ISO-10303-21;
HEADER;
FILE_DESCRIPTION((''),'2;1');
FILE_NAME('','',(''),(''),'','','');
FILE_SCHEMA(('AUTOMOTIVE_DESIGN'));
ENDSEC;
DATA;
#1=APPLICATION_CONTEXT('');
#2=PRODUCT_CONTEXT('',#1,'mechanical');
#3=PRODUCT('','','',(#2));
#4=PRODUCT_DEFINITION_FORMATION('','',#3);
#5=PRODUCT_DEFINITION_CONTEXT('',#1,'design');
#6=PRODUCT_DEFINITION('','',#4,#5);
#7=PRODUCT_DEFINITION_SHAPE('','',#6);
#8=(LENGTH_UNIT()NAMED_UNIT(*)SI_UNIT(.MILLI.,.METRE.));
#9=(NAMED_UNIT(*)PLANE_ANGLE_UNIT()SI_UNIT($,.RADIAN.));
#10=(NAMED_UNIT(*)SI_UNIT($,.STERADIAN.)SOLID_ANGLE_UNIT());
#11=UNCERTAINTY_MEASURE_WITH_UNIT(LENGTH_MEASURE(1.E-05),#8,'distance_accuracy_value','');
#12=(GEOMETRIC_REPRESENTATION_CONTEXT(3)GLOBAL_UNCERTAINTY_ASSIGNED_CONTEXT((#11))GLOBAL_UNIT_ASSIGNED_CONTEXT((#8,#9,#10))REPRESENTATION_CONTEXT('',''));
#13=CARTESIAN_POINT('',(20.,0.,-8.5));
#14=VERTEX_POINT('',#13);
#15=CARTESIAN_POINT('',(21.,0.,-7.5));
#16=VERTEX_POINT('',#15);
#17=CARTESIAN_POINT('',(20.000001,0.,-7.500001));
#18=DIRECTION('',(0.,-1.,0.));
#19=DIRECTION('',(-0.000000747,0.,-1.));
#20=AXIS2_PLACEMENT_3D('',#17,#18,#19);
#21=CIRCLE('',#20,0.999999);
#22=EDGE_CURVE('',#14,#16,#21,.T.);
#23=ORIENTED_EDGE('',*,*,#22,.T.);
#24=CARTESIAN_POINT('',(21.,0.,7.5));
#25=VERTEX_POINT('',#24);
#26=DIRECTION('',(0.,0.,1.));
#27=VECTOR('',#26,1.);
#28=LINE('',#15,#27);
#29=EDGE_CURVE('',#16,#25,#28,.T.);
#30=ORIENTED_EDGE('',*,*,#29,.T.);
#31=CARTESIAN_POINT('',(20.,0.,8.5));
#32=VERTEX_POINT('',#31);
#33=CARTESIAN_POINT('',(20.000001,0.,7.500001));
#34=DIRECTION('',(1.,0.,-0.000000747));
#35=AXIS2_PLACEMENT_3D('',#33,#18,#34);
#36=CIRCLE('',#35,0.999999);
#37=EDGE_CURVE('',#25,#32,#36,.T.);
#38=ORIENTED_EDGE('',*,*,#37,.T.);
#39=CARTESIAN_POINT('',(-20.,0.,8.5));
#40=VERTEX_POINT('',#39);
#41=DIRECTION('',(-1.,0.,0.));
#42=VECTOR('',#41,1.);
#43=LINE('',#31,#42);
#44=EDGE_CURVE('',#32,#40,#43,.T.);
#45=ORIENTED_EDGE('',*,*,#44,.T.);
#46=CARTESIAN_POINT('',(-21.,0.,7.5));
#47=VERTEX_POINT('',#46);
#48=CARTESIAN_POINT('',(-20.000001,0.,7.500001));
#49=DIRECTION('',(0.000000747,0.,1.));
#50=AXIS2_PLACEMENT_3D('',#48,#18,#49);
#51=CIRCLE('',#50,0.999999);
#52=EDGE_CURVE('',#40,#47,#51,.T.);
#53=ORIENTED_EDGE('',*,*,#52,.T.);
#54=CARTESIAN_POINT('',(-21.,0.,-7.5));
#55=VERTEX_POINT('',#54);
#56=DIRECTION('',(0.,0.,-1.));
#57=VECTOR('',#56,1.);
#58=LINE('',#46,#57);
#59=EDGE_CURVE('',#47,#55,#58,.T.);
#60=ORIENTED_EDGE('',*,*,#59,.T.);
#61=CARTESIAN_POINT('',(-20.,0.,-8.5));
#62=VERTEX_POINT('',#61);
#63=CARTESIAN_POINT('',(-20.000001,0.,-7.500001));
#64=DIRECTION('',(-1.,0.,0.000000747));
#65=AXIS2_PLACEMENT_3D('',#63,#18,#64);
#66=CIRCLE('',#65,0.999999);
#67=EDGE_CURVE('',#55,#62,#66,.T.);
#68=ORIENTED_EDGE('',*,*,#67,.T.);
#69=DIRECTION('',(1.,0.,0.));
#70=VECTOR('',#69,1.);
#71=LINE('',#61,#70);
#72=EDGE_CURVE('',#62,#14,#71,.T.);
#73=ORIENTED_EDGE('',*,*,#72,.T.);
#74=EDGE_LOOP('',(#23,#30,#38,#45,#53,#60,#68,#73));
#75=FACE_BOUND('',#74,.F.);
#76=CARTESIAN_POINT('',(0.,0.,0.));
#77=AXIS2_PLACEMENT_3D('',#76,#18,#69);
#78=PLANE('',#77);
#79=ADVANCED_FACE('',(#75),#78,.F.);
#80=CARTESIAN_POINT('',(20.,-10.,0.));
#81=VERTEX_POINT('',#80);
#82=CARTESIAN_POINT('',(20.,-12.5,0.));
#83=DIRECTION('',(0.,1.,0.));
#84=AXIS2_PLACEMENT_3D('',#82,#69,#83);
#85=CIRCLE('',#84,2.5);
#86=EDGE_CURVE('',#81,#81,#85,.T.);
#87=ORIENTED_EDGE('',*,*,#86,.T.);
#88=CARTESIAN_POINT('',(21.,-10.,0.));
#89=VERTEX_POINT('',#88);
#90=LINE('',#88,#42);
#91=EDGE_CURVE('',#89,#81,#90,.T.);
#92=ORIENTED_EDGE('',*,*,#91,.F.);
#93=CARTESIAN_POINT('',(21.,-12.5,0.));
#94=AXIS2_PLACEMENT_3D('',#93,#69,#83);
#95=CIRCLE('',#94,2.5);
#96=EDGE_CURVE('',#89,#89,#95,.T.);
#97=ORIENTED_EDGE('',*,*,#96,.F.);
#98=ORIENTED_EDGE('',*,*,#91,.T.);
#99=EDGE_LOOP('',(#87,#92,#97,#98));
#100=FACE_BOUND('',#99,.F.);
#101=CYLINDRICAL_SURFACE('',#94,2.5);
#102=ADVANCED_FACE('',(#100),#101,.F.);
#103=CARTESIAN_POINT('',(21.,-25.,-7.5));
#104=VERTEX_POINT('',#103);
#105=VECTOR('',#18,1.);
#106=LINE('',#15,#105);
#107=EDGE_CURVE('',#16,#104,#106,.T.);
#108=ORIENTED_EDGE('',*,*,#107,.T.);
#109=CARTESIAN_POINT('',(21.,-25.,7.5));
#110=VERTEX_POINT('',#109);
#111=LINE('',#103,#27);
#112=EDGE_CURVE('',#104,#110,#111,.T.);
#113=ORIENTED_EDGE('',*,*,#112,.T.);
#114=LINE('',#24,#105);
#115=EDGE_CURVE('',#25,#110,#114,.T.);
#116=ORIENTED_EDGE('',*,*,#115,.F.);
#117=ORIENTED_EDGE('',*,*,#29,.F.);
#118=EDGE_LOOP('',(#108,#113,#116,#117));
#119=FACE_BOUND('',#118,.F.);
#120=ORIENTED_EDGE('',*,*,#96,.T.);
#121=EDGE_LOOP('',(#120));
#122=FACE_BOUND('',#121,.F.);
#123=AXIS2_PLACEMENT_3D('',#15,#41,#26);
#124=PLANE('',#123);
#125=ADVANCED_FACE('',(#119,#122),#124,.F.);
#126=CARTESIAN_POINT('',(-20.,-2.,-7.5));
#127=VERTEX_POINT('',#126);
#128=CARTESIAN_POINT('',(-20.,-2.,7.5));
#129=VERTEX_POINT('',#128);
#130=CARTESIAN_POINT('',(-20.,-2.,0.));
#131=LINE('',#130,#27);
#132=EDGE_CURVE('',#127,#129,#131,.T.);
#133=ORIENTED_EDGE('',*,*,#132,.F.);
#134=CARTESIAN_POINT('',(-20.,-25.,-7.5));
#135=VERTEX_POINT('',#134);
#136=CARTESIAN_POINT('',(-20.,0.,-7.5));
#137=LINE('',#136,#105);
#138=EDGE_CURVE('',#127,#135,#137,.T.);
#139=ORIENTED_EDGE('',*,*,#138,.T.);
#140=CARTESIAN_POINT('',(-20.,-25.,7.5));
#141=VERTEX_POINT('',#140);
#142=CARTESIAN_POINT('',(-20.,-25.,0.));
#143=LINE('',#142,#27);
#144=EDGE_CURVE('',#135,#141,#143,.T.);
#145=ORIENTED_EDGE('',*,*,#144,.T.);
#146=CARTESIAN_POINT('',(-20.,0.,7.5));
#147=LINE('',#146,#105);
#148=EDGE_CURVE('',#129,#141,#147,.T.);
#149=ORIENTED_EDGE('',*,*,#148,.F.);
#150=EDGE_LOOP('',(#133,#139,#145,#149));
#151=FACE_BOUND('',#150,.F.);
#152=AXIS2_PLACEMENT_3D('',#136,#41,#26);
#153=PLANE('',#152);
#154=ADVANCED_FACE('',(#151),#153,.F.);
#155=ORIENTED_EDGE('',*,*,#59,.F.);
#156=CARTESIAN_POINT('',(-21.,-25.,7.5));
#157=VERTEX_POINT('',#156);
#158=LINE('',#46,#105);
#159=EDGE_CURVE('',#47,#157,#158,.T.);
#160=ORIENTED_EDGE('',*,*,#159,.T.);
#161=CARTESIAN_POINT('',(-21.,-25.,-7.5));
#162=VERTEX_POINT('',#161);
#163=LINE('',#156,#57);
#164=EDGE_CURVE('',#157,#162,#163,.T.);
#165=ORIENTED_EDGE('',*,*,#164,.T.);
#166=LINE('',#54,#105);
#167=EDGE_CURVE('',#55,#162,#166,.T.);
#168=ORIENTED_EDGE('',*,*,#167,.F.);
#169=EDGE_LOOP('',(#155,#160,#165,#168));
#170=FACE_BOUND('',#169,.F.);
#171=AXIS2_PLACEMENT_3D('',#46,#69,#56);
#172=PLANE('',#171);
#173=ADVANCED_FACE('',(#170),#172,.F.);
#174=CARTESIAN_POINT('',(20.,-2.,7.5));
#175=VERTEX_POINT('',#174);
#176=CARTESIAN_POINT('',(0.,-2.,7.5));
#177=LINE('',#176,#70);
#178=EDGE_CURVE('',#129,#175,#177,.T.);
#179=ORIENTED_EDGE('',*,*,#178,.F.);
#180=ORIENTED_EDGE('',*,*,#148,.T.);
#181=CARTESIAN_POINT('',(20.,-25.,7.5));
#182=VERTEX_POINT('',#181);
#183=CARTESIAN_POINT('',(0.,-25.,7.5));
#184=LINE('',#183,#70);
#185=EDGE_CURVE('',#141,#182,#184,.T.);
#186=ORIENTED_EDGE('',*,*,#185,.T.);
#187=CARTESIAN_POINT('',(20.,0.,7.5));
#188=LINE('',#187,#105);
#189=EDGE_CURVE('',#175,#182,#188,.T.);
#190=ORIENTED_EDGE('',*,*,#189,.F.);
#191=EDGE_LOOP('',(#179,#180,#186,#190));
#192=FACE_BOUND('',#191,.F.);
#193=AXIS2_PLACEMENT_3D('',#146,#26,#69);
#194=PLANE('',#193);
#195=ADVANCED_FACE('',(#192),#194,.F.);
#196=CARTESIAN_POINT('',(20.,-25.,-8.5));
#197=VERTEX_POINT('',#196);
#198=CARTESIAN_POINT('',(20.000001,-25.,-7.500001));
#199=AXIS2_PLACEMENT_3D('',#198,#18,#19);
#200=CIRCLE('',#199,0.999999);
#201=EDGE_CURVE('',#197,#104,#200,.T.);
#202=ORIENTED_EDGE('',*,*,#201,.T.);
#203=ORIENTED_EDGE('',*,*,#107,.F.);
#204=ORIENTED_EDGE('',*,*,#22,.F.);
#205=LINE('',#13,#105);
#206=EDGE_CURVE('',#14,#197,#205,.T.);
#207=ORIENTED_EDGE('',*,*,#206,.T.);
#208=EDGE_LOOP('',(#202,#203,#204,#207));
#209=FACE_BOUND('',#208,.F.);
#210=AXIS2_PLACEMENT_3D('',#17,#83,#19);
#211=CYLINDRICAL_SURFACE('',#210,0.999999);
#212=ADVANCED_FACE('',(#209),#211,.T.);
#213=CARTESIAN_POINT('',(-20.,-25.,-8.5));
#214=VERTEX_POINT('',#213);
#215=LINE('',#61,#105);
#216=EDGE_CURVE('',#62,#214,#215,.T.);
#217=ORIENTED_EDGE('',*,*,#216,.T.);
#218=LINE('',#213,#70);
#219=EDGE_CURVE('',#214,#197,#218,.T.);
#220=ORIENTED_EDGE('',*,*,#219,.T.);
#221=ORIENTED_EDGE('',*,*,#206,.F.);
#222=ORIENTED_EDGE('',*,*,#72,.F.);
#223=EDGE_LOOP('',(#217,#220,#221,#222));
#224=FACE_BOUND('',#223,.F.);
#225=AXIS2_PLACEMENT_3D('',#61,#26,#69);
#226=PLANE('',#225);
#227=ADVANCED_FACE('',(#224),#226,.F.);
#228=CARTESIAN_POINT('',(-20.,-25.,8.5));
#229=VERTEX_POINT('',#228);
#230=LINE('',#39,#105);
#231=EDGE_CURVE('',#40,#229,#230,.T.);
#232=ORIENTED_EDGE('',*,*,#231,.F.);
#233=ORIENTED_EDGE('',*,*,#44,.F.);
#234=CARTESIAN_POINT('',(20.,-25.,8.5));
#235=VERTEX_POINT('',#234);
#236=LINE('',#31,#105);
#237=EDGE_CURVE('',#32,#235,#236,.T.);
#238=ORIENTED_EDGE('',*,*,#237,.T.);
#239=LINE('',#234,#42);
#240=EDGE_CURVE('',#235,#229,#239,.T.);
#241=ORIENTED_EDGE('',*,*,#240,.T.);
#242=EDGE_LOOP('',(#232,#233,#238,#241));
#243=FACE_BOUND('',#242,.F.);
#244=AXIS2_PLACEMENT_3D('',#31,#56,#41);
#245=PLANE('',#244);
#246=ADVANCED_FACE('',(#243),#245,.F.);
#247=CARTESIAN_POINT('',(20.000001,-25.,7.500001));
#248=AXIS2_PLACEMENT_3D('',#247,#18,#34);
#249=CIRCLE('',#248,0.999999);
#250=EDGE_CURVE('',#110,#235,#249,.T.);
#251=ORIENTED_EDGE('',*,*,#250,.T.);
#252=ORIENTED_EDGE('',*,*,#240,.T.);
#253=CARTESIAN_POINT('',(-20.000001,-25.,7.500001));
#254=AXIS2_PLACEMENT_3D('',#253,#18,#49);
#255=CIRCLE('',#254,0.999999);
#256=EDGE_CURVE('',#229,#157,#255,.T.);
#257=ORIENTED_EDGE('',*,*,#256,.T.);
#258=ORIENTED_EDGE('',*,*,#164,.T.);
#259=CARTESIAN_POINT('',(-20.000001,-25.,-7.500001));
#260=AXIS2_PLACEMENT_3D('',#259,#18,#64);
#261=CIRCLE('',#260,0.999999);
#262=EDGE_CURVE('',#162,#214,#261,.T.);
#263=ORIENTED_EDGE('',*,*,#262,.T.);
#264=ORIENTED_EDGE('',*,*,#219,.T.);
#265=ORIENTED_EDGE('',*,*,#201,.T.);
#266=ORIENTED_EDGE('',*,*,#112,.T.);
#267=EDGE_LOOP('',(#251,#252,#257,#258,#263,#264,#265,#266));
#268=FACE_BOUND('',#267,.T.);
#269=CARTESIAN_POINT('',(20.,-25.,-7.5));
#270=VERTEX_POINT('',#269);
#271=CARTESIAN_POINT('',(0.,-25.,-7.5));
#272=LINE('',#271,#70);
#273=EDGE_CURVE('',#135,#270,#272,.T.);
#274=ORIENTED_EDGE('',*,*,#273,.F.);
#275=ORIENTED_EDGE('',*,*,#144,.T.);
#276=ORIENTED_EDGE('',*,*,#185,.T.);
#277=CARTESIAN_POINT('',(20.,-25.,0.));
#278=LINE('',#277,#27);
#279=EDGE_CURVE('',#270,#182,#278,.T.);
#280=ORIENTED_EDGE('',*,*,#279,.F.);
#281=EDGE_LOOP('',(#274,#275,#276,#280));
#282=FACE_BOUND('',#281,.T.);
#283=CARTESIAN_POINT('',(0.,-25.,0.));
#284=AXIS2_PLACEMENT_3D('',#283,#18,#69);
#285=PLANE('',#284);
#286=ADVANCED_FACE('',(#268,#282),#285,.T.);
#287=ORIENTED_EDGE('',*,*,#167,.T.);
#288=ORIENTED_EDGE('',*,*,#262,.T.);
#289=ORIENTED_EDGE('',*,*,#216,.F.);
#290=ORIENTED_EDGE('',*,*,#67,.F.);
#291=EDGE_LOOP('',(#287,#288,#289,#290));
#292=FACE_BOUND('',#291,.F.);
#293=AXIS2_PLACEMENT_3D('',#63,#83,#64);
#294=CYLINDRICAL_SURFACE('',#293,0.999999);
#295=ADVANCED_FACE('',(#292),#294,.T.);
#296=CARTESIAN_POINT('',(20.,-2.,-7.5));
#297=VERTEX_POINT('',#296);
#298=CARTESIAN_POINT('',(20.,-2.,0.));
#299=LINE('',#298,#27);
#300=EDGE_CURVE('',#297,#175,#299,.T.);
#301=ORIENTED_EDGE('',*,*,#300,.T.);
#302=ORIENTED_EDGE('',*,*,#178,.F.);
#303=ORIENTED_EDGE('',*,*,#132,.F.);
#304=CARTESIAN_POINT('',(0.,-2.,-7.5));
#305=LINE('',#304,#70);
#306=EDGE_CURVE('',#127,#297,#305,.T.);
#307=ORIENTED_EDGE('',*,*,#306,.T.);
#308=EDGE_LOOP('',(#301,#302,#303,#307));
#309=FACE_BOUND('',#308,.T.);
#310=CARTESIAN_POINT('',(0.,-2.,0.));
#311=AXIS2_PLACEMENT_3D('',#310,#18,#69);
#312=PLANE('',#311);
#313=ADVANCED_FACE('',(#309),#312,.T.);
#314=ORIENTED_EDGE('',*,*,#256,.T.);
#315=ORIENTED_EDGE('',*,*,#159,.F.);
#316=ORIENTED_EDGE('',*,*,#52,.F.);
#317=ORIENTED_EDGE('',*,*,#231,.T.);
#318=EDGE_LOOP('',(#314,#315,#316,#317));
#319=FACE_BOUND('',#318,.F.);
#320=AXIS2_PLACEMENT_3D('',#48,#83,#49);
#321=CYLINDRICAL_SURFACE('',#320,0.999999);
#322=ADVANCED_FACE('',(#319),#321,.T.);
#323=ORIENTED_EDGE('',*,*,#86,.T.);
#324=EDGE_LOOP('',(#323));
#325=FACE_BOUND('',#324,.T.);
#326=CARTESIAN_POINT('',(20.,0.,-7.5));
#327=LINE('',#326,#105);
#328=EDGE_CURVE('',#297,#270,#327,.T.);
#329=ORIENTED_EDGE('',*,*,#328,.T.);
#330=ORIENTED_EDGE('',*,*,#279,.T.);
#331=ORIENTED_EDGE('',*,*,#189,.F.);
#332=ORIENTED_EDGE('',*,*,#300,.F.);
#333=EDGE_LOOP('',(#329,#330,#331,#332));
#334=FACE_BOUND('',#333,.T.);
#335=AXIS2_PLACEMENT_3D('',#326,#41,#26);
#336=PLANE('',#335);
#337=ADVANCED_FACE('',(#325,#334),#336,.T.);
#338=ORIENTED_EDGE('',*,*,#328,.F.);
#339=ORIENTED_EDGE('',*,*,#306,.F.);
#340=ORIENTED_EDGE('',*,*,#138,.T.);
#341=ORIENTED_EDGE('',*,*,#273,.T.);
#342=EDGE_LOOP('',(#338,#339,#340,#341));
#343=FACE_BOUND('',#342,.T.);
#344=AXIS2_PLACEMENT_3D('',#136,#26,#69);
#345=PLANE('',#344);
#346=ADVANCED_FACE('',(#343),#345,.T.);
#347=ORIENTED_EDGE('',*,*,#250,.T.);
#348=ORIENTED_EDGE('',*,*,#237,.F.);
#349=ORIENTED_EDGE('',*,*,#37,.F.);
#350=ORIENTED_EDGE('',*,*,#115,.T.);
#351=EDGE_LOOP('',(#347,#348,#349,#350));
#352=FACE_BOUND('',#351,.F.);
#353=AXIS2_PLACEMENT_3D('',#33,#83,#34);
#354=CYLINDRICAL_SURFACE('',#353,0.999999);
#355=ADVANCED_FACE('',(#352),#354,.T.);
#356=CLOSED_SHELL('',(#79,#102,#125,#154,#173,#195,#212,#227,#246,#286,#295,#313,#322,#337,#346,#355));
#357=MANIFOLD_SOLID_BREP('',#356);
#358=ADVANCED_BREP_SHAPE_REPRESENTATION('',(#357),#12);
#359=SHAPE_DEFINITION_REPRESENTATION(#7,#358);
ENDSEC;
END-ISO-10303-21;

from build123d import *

# Parameters (mm, degrees)
F0_W     = 40
F0_H     = 15
F1_DEPTH = 25
F2_DEPTH = 2
F3_R     = 2.5
F4_DEPTH = 5


with BuildPart() as f1:
    # F0 (on Front) → F1 (new body)
    with BuildSketch(Plane.XZ):
        with BuildLine():
            Line((-20, -8.5), (20, -8.5))
            ThreePointArc((20, -8.5), (20.707107, -8.207107), (21, -7.5))
            Line((21, -7.5), (21, 7.5))
            ThreePointArc((21, 7.5), (20.707107, 8.207107), (20, 8.5))
            Line((20, 8.5), (-20, 8.5))
            ThreePointArc((-20, 8.5), (-20.707107, 8.207107), (-21, 7.5))
            Line((-21, 7.5), (-21, -7.5))
            ThreePointArc((-21, -7.5), (-20.707107, -8.207107), (-20, -8.5))
        make_face()
        Rectangle(F0_W, F0_H, mode=Mode.SUBTRACT)
    extrude(amount=F1_DEPTH)

    # F0 (on Front) → F2 (join)
    with BuildSketch(Plane.XZ):
        Rectangle(F0_W, F0_H)
    extrude(amount=F2_DEPTH)

    # F3 (on face) → F4 (cut)
    with BuildSketch(Plane.YZ.offset(21)):
        with Locations((-12.5, 0)):
            Circle(F3_R)
    extrude(amount=-F4_DEPTH, mode=Mode.SUBTRACT)


solid = f1.part
